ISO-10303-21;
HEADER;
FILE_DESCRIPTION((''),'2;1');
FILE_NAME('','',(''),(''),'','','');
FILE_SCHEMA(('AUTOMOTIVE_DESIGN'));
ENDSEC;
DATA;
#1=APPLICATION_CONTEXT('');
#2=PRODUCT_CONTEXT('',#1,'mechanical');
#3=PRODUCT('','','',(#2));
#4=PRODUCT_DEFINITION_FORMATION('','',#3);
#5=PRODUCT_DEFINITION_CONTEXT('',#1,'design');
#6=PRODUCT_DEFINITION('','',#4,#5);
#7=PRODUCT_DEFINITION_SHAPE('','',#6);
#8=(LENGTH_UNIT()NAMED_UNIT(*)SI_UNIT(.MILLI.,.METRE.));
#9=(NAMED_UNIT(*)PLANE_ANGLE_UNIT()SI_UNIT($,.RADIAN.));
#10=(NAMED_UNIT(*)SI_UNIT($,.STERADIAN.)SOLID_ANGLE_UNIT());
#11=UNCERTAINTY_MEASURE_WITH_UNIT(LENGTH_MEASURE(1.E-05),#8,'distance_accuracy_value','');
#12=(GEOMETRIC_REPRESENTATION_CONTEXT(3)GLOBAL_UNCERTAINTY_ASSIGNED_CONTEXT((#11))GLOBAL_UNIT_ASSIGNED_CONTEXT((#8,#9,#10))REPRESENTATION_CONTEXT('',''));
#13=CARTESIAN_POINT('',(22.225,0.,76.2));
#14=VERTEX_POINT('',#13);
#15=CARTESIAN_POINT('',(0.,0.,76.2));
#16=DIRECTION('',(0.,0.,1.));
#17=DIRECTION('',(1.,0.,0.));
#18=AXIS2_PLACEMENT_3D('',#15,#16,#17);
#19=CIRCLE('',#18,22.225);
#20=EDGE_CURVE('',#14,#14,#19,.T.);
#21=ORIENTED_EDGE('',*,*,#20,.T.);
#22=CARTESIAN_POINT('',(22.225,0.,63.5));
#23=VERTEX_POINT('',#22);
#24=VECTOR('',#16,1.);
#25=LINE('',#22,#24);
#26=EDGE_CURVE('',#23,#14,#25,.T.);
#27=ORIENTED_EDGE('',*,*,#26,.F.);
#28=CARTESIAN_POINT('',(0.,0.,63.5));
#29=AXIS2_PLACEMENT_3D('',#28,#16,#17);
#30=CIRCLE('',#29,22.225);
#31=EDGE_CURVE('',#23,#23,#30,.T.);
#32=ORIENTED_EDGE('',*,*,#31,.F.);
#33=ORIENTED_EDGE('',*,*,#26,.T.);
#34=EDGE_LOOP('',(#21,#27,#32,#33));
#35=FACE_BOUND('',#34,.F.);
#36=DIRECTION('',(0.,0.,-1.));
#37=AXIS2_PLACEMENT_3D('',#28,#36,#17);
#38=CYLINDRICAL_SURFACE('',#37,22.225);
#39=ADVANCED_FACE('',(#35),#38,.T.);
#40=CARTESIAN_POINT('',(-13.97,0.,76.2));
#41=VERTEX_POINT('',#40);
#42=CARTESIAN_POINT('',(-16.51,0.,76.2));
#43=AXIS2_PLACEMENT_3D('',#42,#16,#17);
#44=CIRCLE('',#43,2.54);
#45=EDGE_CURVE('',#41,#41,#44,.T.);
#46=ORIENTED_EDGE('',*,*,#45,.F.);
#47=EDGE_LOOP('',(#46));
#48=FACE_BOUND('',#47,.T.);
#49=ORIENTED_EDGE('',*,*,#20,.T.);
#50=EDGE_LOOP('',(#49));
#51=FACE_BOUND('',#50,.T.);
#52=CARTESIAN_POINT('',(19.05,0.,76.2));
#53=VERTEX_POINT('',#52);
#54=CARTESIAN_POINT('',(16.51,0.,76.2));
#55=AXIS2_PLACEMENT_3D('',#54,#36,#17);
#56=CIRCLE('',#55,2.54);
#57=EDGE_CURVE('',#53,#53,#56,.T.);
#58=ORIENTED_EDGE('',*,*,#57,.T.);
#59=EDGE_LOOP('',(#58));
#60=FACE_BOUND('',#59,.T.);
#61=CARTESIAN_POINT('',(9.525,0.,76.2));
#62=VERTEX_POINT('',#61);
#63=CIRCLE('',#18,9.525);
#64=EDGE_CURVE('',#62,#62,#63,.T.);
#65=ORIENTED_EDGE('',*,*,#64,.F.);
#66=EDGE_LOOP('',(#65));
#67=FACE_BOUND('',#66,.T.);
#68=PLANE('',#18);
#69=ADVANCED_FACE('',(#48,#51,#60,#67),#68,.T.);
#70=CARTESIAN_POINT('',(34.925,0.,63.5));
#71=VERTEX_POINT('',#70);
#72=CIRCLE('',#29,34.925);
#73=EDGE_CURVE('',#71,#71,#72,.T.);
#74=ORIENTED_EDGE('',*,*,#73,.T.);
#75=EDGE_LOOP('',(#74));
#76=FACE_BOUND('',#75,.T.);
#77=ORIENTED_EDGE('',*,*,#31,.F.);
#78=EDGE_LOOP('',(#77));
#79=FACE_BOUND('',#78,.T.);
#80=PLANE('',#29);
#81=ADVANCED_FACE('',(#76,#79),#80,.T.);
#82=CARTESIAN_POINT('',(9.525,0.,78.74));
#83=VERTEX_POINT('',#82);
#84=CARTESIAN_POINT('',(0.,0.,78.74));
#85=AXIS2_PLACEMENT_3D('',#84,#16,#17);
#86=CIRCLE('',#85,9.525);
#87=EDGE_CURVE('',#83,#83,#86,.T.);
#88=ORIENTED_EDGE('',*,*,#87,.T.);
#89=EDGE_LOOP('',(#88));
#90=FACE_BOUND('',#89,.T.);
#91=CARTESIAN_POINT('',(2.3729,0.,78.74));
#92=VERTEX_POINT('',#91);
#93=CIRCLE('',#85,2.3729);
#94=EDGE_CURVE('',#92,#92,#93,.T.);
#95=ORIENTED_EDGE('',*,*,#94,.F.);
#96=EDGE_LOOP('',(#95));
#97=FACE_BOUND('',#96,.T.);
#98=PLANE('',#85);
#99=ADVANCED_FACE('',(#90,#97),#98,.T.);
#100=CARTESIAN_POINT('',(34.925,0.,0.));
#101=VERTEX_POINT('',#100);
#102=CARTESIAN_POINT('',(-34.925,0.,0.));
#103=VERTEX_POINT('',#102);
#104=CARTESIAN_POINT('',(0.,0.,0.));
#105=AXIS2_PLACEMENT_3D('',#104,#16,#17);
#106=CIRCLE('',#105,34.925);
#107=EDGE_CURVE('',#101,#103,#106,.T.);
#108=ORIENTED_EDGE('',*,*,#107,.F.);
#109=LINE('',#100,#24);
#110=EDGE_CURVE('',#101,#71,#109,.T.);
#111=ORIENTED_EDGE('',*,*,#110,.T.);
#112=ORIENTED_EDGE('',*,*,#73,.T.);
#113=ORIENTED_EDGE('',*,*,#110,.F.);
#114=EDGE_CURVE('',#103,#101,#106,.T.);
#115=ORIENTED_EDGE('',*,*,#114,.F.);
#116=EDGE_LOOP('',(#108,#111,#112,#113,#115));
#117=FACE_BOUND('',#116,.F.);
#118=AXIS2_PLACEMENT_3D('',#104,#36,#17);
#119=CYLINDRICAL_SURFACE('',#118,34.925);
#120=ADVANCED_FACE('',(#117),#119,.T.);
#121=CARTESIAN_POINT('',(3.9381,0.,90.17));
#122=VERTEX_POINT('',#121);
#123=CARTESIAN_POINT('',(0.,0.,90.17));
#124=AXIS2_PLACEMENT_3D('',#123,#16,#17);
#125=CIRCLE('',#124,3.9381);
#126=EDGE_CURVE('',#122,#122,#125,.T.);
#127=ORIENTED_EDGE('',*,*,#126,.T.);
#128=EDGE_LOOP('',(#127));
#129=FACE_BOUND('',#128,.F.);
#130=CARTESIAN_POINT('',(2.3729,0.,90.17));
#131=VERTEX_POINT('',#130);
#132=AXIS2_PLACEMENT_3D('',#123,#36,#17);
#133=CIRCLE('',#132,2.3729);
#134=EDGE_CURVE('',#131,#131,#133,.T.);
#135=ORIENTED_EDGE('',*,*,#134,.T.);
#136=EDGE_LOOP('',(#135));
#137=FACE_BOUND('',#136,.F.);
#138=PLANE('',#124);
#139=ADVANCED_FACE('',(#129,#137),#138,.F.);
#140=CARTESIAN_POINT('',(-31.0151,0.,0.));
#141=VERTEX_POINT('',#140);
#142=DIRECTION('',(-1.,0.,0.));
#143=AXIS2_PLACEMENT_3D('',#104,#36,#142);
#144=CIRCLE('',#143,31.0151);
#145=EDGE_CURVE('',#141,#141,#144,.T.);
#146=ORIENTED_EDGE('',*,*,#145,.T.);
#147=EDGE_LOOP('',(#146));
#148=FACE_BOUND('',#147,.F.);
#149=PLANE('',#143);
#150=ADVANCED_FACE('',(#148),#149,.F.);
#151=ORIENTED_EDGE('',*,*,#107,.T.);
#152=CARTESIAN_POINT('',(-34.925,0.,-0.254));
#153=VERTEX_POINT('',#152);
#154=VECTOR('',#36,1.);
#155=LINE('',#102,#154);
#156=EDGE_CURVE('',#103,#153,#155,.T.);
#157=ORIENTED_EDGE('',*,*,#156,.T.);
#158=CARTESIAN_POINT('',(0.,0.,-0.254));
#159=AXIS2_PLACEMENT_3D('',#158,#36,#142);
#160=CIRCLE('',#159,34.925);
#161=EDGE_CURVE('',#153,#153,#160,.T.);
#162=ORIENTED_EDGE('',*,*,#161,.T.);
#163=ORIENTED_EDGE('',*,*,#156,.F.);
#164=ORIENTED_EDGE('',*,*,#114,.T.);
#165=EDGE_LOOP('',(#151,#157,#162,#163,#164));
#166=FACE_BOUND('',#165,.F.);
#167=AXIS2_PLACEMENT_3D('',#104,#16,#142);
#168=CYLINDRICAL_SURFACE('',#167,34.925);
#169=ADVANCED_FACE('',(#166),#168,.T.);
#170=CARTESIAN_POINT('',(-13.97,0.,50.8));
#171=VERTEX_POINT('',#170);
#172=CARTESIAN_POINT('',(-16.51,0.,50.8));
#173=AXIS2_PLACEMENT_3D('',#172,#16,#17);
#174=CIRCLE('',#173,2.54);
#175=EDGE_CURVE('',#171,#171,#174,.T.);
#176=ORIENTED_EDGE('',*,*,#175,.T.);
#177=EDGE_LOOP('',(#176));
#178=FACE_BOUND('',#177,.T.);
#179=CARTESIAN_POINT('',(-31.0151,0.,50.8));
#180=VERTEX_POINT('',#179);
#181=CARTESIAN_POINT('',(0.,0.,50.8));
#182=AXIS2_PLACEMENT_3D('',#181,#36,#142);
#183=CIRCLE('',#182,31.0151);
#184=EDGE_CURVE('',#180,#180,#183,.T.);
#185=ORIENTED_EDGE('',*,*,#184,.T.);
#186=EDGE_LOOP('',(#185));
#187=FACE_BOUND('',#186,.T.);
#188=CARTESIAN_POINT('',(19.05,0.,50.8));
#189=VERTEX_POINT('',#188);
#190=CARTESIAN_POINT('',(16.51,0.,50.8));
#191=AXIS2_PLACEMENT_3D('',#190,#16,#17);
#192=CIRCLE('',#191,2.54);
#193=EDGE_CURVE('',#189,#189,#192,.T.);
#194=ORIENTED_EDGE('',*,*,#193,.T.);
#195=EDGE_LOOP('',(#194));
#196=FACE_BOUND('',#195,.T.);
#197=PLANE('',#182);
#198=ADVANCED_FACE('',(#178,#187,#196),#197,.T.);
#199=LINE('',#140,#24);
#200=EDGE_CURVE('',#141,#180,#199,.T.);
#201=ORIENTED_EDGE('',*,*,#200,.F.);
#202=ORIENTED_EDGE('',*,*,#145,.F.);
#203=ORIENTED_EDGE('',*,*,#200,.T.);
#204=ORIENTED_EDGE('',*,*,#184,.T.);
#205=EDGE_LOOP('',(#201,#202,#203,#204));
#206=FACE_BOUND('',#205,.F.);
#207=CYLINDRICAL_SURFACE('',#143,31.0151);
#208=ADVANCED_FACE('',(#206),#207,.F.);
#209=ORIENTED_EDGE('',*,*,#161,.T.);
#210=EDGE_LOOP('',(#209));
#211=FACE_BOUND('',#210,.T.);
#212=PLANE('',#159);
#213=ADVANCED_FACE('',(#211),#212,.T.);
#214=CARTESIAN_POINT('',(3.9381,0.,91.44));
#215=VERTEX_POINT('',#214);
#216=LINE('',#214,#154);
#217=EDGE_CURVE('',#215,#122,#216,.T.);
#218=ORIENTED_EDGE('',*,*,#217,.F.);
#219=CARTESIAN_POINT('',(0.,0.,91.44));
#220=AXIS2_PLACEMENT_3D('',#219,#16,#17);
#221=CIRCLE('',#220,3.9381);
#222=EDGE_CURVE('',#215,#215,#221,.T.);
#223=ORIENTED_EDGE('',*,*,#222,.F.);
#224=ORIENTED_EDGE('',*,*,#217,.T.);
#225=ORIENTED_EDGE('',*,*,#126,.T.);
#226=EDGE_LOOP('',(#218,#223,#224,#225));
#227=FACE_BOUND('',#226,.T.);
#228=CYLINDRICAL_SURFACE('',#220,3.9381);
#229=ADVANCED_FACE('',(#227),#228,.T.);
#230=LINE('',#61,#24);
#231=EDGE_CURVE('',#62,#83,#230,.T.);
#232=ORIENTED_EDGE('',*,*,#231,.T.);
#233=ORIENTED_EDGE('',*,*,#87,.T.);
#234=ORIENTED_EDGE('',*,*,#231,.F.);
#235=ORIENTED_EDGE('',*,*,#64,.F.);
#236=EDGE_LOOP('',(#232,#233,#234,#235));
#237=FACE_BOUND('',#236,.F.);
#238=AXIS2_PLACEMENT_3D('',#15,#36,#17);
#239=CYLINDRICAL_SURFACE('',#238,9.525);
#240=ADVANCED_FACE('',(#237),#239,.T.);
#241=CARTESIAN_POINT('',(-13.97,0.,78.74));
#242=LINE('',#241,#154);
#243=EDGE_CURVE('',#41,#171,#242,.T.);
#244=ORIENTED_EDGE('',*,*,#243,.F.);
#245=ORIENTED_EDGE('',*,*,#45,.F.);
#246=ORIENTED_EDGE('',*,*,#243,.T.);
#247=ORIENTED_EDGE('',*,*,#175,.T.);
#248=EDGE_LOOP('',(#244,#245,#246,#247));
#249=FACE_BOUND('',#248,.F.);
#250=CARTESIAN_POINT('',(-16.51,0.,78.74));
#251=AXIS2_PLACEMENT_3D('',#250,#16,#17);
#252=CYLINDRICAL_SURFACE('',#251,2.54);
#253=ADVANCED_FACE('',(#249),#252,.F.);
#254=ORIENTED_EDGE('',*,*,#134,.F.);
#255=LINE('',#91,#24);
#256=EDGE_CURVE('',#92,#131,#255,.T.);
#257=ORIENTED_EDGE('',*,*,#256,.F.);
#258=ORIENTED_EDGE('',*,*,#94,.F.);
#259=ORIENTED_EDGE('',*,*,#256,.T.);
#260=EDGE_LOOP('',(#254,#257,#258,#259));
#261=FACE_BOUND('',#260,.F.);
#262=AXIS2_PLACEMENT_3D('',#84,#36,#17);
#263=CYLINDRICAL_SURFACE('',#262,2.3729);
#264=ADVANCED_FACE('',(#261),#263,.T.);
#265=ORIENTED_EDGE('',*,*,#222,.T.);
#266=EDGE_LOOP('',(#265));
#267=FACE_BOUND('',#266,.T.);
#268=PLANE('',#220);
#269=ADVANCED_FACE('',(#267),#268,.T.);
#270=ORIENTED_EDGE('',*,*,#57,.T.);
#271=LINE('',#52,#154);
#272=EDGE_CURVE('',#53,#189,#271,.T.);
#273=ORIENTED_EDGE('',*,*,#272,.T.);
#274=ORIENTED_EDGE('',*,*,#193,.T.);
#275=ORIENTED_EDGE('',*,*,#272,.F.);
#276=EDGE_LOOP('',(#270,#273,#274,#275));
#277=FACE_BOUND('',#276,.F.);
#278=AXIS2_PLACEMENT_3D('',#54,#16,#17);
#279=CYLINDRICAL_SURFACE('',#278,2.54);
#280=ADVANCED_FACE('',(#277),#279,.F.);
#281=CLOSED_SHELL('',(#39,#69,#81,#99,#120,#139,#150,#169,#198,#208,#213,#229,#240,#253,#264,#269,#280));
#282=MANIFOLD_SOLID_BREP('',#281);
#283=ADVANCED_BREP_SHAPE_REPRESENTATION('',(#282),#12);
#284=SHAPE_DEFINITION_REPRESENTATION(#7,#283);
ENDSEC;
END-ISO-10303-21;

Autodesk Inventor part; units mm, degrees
ref_plane "YZ Plane" through (0, 0, 0) normal (1, 0, 0) x (0, 1, 0)
ref_plane "XZ Plane" through (0, 0, 0) normal (0, 1, 0) x (-1, 0, 0)
sketch "Sketch1" plane through (0, 0, 0) normal (0, 0, 1) x (1, 0, 0)
  circle A0 centre (0, 0) radius 34.925
  dimension "d0" = 69.85
extrude "Extrusion1" add sketch "Sketch1" along normal blind 63.5
sketch "Sketch2" plane through (0, 0, 63.5) normal (0, 0, 1) x (1, 0, 0)
  circle A0 centre (0, 0) radius 22.225
  dimension "d3" = 44.45
extrude "Extrusion2" add sketch "Sketch2" along normal blind 12.7
sketch "Sketch3" plane through (0, 0, 76.2) normal (0, 0, 1) x (1, 0, 0)
  circle A0 centre (0, 0) radius 9.525
  dimension "d6" = 19.05
extrude "Extrusion3" add sketch "Sketch3" along normal blind 2.54
sketch "Sketch4" plane through (0, 0, 78.74) normal (0, 0, 1) x (1, 0, 0)
  circle A0 centre (0, 0) radius 2.3729
extrude "Extrusion4" add sketch "Sketch4" along normal blind 12.7
ref_plane "Work Plane1" through (0, 0, 91.44) normal (0, 0, 1) x (1, 0, 0)
sketch "Sketch5" plane through (0, 0, 91.44) normal (0, 0, 1) x (1, 0, 0)
  circle A0 centre (0, 0) radius 3.9381
extrude "Extrusion5" add sketch "Sketch5" against normal blind 1.27
sketch "Sketch6" plane through (0, 0, 78.74) normal (0, 0, 1) x (1, 0, 0)
  line L0 (0, 0) -> (-16.51, 0)
  circle A0 centre (-16.51, 0) radius 2.54
  dimension "d14" = 16.51
  dimension "d15" = 5.08
extrude "Extrusion6" cut sketch "Sketch6" against normal blind 38.1
sketch "Sketch7" plane through (0, 0, 76.2) normal (0, 0, 1) x (1, 0, 0)
  line L0 (0, 0) -> (16.51, 0)
  circle A0 centre (16.51, 0) radius 2.54
  dimension "d18" = 16.51
  dimension "d19" = 5.08
extrude "Extrusion7" cut sketch "Sketch7" against normal blind 38.1
sketch "Sketch8" plane through (0, 0, 0) normal (0, 0, -1) x (-1, 0, 0)
  circle A0 centre (0, 0) radius 31.0151
extrude "Extrusion8" cut sketch "Sketch8" against normal blind 50.8
sketch "Sketch9" plane through (0, 0, 0) normal (0, 0, -1) x (-1, 0, 0)
  circle A0 centre (0, 0) radius 34.925
extrude "Extrusion9" add sketch "Sketch9" along normal blind 0.254
properties part number "000109"
